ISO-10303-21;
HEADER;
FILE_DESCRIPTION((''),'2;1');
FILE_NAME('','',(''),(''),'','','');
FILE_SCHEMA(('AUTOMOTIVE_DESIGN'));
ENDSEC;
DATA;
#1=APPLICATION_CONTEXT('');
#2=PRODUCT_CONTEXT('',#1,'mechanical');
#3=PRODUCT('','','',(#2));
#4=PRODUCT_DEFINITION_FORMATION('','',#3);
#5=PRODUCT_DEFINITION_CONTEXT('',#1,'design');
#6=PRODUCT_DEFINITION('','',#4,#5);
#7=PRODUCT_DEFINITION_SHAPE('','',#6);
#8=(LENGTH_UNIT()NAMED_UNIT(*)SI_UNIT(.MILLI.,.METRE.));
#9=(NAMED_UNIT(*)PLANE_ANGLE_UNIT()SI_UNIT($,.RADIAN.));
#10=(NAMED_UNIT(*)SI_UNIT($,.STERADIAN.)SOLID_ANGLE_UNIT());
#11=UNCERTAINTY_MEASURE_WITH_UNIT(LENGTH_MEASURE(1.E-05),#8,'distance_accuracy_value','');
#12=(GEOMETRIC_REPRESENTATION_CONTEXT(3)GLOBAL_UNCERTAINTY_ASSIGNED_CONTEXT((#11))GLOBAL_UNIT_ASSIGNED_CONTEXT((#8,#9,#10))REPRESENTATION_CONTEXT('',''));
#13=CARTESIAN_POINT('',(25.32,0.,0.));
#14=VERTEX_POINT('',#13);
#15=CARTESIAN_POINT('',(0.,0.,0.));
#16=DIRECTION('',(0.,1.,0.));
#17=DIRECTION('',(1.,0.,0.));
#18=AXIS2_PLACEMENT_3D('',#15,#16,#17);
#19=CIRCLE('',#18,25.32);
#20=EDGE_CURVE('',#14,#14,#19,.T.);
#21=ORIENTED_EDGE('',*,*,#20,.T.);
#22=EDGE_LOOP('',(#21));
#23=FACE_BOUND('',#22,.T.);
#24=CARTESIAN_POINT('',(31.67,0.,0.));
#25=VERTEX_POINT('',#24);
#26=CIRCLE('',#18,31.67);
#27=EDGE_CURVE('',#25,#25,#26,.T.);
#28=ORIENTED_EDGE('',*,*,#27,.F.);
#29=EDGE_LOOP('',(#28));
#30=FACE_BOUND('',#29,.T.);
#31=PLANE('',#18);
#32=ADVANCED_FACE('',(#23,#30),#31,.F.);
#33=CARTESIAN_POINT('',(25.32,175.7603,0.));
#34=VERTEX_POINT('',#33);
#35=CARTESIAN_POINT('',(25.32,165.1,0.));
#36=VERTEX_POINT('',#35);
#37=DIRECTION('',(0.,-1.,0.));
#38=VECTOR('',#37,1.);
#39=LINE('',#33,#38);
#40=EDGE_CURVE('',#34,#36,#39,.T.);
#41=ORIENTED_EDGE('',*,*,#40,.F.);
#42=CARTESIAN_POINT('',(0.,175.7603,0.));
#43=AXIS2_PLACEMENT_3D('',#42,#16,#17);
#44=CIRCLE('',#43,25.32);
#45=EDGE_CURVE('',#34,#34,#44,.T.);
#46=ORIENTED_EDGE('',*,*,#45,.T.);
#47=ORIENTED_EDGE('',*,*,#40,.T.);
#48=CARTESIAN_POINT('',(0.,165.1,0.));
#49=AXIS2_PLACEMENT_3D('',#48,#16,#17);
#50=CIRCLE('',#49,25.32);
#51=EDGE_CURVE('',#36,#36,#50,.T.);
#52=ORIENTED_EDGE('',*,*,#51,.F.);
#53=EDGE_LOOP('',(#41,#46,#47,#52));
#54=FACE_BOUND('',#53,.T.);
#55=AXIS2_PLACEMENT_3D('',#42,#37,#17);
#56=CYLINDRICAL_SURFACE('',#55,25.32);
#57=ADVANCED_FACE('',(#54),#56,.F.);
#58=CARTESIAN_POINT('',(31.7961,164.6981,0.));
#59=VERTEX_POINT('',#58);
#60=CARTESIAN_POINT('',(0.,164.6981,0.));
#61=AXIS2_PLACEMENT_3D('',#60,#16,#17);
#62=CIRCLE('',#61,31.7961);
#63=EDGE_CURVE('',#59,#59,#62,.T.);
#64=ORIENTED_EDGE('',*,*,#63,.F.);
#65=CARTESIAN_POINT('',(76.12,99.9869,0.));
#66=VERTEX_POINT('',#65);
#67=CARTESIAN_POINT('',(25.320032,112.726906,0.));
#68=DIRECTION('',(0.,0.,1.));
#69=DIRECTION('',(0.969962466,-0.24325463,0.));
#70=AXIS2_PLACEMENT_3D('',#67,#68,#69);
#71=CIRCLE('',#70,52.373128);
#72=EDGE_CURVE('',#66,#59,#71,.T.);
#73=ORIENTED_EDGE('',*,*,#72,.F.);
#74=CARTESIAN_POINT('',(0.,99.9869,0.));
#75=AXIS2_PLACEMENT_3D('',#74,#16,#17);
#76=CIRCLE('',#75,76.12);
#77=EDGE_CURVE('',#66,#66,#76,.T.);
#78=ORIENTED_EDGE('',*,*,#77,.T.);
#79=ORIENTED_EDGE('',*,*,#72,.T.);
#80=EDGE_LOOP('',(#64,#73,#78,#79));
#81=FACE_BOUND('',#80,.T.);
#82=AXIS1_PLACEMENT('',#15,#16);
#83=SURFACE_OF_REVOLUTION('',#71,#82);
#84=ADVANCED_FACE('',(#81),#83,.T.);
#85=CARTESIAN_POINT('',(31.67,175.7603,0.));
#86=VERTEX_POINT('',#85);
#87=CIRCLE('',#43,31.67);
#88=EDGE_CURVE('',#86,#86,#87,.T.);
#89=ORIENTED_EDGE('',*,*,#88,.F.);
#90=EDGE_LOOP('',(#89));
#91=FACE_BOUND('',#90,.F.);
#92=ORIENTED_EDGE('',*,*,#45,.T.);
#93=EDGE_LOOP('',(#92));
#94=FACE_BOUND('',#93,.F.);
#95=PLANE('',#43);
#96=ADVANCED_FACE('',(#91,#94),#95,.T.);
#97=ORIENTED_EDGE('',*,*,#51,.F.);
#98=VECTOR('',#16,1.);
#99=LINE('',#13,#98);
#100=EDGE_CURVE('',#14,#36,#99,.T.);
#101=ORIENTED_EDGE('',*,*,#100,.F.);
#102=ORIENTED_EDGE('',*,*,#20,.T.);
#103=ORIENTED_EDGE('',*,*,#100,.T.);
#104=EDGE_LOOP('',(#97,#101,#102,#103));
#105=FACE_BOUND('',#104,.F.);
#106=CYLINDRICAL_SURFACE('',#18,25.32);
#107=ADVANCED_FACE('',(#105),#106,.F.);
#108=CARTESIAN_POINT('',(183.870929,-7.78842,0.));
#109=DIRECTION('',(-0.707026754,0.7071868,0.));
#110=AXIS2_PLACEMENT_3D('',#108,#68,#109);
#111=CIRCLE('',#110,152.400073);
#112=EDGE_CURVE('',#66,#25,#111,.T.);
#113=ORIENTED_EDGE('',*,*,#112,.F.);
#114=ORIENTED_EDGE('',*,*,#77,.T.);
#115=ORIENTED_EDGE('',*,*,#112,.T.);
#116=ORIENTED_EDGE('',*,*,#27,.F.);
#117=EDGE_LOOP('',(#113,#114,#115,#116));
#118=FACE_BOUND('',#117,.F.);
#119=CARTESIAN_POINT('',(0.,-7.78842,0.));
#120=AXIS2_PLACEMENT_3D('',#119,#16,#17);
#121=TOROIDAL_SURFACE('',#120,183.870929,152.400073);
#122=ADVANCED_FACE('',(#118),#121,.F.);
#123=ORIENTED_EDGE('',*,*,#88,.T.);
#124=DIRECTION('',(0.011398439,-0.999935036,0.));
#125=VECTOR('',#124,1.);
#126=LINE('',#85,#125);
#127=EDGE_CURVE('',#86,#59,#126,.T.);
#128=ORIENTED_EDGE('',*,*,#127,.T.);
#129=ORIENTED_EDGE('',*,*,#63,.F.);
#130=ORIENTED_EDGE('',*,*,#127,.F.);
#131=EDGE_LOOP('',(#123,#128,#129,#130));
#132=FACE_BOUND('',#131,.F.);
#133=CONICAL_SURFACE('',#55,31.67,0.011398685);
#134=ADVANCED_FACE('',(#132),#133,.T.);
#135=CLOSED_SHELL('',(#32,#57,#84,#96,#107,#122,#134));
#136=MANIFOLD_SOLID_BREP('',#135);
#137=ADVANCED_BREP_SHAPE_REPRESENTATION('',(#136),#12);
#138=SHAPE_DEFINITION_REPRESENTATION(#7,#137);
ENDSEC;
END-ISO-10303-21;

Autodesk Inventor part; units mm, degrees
ref_plane "Work Plane4" through (55.0851, 96.0393, 0) normal (0.3608, 0.9326, 0) x (-0.9326, 0.3608, 0)
ref_plane "YZ Plane" through (0, 0, 0) normal (1, 0, 0) x (0, 1, 0)
ref_plane "XZ Plane" through (0, 0, 0) normal (0, 1, 0) x (-1, 0, 0)
sketch "Sketch1" plane through (0, 0, 0) normal (0, 0, 1) x (1, 0, 0)
  line L0 (0, 0) -> (0, 76.2)
  line L1 (25.32, 0) -> (25.32, 165.1)
  arc A0 (76.12, 99.9869) -> (31.7961, 164.6981) centre (25.32, 112.7269) ccw
  line L2 (25.32, 0) -> (31.67, 0)
  arc A1 (76.12, 99.9869) -> (31.67, 0) centre (183.8709, -7.7884) ccw
  line L3 (27.32, 163.0603) -> (27.32, 2)
  line L4 (27.32, 2) -> (29.7814, 2)
  arc A2 (74.3101, 101.0041) -> (29.7814, 2) centre (183.8709, -7.7884) ccw
  arc A3 (74.3101, 101.0041) -> (27.32, 163.0603) centre (25.32, 112.7269) ccw
  line L5 (25.32, 175.7603) -> (25.32, 165.1)
  line L6 (25.32, 175.7603) -> (31.67, 175.7603)
  line L7 (31.67, 175.7603) -> (31.7961, 164.6981)
  point P0 (25.32, 25.4)
  dimension "d0" = 165.1
  dimension "d1" = 25.32
  dimension "d3" = 0
  dimension "d24" = 52.3732
  dimension "d159" = 6.35
  dimension "d160" = 152.4
  dimension "d161" = 2
  dimension "d162" = 50.8
  dimension "d165" = 6.35
  dimension "d34" = 60
  dimension "d35" = 12.7
revolve "Revolution1" add sketch "Sketch1" angle 360 about axis through (0, 0, 0) along (0, 1, 0) contours L1 L5 L6 L7 A0 A1 L2 | A3 A2 L4 L3
properties part number "Water Sensor Bouy_3DPrint"
